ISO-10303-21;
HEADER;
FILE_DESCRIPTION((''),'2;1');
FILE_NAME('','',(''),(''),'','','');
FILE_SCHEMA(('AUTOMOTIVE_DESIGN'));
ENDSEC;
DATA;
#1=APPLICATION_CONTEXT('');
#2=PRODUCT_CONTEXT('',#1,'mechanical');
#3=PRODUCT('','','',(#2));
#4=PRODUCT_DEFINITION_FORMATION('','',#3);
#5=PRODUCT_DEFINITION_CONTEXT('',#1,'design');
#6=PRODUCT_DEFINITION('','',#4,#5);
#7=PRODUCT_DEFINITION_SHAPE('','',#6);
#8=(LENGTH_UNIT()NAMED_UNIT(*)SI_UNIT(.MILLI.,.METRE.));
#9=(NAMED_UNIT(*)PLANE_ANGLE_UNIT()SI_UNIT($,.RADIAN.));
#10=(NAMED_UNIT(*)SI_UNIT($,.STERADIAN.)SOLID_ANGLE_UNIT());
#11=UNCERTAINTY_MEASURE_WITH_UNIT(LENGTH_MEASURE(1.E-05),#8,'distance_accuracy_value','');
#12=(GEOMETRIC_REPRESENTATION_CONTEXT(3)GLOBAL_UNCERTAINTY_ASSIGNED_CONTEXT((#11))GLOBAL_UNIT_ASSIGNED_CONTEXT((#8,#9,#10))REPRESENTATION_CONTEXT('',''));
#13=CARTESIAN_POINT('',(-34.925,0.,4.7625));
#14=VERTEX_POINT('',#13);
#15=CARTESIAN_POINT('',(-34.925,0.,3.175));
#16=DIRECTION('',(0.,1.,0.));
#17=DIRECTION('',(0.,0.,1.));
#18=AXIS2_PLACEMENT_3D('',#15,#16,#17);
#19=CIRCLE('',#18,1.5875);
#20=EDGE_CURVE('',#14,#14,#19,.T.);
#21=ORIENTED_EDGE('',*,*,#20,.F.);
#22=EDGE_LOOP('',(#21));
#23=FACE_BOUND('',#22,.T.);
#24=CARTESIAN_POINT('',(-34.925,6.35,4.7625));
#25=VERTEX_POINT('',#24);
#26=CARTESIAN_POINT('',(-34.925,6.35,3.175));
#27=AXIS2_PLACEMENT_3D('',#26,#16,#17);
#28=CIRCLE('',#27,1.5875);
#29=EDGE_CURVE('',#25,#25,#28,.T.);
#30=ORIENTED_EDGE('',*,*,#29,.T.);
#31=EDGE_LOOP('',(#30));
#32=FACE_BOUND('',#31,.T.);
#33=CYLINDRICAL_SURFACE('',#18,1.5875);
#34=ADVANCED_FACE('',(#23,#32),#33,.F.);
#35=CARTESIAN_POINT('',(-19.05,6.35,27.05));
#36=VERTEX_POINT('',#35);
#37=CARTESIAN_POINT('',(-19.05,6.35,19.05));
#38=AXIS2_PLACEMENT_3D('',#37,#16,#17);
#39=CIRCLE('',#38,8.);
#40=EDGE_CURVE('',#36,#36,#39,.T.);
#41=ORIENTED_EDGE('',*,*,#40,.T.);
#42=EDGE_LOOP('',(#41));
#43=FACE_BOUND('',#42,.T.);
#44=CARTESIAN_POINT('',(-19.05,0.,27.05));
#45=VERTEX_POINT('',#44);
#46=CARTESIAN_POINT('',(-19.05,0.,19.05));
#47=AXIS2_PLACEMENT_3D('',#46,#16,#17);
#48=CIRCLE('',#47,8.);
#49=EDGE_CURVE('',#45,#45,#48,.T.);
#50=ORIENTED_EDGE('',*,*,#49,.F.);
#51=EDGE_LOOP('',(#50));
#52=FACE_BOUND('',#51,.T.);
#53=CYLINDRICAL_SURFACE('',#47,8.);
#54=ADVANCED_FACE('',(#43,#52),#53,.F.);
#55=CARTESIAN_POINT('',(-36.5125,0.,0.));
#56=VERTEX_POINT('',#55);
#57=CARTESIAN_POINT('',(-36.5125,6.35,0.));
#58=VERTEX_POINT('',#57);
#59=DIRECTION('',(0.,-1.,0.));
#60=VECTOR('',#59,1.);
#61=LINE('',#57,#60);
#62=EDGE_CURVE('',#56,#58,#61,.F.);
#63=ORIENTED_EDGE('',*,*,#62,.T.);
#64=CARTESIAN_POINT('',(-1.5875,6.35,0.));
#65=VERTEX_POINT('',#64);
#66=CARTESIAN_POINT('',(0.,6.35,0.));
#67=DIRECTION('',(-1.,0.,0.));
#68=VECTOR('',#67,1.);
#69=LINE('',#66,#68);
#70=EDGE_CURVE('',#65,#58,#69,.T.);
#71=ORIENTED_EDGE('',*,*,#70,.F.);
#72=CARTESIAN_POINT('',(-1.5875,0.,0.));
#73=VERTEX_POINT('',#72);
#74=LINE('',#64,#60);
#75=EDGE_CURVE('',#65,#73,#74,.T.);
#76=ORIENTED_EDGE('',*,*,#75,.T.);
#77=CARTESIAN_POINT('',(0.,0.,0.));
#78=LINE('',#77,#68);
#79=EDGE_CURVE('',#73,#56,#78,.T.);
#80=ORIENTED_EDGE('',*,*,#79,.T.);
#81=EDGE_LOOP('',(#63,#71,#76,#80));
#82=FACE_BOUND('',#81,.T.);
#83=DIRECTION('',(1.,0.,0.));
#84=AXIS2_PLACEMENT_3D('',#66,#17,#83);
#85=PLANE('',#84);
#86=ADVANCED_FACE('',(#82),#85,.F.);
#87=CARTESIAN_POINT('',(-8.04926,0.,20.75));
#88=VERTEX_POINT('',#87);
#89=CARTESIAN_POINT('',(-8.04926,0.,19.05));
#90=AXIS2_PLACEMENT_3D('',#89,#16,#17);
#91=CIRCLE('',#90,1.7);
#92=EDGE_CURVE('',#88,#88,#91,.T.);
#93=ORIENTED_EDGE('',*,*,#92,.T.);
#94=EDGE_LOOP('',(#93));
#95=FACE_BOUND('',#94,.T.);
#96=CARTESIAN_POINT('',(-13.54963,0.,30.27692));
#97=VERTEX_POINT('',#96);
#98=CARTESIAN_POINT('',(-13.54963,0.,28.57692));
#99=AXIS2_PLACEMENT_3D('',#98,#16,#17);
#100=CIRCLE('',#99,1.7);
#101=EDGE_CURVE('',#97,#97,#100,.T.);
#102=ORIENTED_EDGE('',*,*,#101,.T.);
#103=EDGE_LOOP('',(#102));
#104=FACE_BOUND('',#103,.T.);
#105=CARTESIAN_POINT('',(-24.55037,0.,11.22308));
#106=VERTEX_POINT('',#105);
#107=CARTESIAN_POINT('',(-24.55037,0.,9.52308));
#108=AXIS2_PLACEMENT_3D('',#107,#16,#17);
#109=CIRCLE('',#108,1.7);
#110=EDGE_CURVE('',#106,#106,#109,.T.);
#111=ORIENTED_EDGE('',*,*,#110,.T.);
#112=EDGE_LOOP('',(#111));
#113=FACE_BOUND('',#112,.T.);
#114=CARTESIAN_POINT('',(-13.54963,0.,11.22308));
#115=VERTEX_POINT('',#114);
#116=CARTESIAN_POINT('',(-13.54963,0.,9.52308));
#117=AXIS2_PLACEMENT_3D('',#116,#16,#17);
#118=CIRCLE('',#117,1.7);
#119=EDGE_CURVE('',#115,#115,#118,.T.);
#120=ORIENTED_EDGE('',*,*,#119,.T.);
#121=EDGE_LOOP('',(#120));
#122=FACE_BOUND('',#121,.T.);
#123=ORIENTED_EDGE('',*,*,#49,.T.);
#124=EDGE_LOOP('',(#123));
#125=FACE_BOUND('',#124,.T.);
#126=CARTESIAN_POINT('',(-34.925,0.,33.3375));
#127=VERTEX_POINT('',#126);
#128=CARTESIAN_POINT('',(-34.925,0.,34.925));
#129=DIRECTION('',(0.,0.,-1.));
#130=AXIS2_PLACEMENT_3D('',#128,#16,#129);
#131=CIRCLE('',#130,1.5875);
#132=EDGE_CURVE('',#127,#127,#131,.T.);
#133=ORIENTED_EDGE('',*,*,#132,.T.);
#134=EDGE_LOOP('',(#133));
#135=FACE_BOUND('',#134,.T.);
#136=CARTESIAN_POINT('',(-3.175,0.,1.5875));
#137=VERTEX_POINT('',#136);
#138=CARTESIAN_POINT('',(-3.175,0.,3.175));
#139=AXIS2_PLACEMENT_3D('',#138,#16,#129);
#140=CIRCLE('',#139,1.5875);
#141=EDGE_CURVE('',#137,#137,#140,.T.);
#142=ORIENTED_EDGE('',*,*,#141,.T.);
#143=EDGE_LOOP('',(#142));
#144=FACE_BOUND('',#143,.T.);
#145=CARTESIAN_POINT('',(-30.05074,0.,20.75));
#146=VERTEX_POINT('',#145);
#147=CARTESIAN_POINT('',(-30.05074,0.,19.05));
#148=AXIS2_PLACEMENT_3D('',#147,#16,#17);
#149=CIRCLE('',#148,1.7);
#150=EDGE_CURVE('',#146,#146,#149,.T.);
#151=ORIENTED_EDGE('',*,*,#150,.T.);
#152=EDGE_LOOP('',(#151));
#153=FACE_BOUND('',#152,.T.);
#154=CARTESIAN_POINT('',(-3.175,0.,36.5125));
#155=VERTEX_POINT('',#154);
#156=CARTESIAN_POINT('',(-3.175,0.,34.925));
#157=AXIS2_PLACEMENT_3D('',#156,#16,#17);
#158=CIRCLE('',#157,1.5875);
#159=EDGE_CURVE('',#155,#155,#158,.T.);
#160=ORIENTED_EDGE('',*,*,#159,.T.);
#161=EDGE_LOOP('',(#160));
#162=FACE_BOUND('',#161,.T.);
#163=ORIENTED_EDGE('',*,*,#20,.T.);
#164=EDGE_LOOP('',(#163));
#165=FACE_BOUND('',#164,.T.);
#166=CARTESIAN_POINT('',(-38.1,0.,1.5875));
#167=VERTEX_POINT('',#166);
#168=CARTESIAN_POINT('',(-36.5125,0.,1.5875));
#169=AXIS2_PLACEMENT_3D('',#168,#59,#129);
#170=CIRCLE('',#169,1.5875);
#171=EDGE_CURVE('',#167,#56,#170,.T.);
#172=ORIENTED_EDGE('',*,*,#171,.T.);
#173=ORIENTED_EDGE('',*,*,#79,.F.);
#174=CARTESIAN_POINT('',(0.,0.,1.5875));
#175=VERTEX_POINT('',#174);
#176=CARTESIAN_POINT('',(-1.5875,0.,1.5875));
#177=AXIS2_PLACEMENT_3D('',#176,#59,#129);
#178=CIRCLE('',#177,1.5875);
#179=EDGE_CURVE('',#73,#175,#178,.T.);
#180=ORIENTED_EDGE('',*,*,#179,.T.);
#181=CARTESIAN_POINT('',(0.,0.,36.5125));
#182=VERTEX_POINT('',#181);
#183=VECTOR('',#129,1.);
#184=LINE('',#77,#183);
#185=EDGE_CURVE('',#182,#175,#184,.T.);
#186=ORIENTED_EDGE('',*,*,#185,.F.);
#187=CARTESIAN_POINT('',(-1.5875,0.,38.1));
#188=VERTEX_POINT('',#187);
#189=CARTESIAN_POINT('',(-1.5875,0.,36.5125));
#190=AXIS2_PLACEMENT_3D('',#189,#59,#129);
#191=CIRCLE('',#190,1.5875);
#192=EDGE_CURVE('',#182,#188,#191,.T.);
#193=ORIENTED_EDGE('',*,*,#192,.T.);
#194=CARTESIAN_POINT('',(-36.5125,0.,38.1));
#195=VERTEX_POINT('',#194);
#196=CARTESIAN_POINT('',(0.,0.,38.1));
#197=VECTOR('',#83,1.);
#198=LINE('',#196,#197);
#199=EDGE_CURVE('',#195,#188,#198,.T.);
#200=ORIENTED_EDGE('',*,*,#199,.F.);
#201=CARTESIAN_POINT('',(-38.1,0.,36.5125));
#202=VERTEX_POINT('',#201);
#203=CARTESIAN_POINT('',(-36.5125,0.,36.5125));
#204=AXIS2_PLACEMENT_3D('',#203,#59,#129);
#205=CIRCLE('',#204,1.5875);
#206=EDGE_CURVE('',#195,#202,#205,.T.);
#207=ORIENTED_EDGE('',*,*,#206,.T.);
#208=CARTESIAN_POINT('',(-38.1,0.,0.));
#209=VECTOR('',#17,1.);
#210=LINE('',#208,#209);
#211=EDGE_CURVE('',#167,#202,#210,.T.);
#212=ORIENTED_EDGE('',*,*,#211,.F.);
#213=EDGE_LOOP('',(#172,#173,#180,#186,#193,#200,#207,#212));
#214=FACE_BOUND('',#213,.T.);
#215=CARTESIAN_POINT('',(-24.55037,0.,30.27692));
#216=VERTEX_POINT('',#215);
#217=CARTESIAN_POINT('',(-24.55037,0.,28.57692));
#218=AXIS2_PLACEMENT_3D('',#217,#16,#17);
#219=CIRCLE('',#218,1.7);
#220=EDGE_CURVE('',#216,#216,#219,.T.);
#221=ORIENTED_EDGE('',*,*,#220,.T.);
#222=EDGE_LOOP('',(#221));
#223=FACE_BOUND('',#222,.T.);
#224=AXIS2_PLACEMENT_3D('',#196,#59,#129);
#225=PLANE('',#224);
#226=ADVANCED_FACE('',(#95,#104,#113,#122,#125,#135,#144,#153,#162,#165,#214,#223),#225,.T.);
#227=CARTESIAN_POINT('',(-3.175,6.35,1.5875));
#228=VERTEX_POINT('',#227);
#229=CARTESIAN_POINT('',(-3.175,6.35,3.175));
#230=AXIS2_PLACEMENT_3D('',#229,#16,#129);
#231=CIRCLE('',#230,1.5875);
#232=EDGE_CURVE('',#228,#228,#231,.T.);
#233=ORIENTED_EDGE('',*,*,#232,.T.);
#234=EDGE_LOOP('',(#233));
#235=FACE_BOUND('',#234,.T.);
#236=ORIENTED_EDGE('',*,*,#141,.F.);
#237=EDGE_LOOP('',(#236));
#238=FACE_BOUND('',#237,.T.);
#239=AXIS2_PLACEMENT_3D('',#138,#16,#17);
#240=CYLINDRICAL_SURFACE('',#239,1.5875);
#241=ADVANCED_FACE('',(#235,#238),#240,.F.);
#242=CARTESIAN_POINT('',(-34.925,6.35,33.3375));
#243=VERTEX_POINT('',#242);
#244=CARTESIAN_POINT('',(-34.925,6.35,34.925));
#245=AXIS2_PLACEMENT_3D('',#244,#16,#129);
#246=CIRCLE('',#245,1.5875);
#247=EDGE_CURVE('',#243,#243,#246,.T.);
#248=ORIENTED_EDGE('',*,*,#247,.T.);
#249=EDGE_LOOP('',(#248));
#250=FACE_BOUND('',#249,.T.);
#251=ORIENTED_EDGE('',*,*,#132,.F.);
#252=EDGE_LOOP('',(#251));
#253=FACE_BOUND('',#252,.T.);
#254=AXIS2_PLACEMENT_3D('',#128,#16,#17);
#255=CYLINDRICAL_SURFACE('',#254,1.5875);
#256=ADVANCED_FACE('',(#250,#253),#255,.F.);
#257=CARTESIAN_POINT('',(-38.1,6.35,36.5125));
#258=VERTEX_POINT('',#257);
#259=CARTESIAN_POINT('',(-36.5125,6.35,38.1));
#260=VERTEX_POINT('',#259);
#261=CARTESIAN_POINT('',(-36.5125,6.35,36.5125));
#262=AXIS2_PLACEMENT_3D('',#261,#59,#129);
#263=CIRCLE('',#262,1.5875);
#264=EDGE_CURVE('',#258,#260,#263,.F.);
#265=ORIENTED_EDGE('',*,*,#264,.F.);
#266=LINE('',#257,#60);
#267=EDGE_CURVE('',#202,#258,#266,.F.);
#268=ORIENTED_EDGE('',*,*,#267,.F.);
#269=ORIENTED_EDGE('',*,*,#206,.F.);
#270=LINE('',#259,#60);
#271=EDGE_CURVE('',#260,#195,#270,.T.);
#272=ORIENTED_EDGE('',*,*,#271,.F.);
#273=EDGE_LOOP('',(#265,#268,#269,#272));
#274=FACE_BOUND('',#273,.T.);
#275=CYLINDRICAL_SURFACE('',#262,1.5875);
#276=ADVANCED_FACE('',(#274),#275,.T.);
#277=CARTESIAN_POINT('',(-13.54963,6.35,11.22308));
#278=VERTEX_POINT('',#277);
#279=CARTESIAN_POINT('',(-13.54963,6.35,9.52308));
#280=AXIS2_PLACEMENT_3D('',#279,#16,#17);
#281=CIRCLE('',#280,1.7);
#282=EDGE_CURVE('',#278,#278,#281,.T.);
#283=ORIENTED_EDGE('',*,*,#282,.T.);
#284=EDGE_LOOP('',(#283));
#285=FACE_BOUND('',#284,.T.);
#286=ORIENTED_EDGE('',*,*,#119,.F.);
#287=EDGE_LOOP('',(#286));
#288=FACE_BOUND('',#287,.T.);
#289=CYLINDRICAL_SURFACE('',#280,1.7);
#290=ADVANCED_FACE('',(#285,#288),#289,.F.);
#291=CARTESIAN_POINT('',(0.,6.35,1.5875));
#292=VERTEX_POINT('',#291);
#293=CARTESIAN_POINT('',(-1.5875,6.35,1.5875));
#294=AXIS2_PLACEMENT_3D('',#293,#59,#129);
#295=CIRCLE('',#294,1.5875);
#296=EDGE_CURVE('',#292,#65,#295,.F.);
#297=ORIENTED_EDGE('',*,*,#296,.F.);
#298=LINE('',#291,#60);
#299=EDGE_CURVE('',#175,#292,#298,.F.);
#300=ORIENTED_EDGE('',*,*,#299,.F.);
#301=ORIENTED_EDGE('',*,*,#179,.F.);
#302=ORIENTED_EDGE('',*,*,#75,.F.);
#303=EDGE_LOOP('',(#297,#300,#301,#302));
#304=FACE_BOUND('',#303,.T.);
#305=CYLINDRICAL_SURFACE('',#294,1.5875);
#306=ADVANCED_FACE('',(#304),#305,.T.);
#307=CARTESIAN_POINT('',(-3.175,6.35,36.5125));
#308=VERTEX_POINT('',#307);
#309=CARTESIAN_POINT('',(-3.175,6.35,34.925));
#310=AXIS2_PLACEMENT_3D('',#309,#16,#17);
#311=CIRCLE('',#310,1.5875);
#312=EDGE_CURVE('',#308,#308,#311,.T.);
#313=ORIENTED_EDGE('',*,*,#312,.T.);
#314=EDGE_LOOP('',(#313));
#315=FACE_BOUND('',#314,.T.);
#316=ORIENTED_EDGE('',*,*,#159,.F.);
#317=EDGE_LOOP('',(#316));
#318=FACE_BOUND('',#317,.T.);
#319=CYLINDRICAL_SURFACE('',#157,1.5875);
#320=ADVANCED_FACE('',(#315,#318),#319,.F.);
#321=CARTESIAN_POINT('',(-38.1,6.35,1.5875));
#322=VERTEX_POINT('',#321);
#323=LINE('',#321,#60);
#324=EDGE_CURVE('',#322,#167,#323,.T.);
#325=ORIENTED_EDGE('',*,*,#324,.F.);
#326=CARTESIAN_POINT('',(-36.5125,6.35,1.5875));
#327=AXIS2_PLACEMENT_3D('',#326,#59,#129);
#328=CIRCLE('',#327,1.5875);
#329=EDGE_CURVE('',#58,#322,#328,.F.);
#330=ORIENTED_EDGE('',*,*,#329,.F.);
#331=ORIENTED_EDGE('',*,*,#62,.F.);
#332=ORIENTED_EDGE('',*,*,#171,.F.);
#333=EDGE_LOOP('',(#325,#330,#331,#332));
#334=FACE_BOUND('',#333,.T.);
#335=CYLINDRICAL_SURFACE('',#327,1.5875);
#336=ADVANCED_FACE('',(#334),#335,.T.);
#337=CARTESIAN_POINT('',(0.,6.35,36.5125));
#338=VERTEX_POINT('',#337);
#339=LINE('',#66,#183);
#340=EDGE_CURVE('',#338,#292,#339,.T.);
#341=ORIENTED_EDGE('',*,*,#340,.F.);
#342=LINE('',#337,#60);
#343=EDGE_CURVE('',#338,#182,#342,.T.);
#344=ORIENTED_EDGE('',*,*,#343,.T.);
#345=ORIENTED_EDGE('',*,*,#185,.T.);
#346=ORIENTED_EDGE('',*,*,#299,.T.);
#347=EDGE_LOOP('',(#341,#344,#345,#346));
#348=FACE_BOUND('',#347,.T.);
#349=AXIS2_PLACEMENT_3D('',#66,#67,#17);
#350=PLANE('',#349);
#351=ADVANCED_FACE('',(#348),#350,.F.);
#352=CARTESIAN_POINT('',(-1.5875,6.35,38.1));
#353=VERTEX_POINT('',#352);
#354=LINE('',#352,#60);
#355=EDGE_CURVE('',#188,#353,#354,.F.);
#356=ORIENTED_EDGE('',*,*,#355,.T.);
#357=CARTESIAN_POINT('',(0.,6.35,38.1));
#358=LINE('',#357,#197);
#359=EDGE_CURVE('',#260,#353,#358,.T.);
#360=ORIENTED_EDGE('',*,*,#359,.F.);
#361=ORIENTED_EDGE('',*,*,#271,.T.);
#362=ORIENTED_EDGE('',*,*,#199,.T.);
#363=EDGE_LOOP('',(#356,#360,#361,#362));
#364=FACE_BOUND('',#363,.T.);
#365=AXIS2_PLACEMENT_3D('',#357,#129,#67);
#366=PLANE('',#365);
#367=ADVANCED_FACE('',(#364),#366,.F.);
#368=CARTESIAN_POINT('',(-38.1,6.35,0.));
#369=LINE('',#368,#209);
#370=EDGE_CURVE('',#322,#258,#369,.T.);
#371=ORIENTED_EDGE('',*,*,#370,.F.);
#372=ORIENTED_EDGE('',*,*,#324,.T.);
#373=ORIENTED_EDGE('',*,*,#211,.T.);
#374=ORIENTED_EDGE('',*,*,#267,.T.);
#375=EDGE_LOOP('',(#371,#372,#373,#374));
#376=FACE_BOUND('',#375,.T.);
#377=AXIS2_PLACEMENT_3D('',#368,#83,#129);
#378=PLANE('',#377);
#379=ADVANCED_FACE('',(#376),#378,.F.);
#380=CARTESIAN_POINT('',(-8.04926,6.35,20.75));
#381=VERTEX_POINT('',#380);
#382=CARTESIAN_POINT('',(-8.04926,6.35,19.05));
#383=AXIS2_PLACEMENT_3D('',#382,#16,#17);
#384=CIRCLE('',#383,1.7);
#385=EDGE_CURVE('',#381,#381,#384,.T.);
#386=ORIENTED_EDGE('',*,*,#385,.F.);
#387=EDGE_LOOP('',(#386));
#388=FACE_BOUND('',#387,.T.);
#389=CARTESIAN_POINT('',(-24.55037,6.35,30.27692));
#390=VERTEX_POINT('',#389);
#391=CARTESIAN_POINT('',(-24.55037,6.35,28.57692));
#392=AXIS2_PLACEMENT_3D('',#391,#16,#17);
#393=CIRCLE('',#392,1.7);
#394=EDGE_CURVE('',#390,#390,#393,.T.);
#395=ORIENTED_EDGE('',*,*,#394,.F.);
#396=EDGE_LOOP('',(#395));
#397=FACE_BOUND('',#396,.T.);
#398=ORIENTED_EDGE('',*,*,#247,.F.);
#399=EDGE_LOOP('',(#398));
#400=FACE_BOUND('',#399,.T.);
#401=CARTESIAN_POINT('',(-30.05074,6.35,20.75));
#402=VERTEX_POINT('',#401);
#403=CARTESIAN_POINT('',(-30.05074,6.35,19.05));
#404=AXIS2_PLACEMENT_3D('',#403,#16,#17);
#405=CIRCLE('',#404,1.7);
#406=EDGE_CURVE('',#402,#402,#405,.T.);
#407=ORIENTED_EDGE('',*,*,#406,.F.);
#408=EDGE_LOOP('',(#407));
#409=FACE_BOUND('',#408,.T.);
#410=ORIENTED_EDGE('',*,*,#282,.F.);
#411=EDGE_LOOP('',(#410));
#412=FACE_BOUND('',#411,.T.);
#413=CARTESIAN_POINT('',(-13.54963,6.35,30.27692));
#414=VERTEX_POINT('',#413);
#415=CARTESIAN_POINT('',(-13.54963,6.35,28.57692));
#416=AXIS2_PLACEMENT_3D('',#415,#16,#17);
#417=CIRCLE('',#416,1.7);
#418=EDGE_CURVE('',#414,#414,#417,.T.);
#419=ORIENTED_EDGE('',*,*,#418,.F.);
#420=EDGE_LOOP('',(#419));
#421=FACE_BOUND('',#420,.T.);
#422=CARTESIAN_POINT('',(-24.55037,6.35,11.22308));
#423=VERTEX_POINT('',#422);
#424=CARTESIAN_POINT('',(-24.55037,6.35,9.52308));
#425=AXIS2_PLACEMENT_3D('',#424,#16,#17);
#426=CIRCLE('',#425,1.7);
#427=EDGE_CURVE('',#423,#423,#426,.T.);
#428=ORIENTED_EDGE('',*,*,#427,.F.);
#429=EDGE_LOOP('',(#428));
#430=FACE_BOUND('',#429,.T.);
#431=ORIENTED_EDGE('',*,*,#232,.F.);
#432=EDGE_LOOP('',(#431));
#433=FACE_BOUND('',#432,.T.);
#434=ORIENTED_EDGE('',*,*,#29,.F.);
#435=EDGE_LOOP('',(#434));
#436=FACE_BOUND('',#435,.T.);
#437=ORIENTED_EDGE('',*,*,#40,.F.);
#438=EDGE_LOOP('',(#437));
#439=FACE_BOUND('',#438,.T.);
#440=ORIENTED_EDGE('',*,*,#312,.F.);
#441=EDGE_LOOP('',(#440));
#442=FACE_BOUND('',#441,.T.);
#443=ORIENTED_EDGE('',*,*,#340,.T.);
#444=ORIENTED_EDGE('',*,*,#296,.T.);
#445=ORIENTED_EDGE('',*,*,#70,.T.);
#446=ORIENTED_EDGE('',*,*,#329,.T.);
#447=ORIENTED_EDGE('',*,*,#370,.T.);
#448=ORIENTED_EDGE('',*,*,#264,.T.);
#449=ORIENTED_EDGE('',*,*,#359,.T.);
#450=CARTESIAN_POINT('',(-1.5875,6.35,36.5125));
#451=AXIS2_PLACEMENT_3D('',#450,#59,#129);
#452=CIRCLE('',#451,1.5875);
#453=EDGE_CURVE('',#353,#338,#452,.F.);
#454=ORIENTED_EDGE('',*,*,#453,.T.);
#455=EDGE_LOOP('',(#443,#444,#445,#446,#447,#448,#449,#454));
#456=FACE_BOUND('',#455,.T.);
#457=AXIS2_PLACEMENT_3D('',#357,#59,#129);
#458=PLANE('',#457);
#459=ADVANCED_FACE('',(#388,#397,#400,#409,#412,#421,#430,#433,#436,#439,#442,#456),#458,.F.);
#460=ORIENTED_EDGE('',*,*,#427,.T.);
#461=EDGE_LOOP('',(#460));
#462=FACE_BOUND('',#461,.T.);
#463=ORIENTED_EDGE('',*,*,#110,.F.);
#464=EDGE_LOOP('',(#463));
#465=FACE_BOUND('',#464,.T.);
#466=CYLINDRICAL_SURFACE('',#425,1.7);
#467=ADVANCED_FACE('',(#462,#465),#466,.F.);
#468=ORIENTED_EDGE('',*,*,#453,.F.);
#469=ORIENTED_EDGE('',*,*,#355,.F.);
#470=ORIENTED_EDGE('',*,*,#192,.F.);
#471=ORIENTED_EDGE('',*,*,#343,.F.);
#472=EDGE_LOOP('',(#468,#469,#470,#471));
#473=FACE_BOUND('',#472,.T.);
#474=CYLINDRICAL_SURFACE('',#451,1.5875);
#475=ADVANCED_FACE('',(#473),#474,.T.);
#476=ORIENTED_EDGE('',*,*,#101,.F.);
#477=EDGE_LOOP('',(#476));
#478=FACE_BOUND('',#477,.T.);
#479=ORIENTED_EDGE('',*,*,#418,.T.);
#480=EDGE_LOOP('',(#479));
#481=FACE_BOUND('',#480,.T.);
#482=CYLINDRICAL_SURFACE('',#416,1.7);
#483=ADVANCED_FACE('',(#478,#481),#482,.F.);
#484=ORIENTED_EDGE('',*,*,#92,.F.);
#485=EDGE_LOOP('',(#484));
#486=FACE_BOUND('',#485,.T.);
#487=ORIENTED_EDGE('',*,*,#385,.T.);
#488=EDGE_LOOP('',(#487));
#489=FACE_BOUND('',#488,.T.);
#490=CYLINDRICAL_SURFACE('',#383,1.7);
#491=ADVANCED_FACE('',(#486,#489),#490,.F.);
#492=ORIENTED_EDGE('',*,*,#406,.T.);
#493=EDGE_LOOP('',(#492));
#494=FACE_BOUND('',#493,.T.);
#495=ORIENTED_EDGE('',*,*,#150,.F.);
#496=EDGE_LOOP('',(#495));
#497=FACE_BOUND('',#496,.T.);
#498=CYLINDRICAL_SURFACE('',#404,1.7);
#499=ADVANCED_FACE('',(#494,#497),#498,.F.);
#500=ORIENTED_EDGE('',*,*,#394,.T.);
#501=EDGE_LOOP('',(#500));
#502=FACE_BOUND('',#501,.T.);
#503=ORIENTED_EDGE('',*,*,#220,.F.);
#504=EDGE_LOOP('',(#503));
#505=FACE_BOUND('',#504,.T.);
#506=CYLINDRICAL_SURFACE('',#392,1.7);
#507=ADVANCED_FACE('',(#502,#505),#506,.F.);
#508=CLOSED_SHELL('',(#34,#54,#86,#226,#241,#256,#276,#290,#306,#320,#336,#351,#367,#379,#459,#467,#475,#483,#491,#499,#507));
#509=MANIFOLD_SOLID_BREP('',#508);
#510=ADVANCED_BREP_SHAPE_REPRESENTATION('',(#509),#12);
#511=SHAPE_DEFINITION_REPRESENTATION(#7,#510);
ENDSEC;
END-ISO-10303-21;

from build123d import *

# Parameters (mm, degrees)
SKETCH1_W            = 38.1
SKETCH1_H            = 38.1
BOSS_EXTRUDE1_DEPTH  = 6.35
SKETCH5_R            = 8
CUT_EXTRUDE1_DEPTH   = 55.254423783
M3_CLEARANCE_HOLE1_D = 3.4
SKETCH6_R            = 1.5875
CUT_EXTRUDE2_DEPTH   = 55.254423783
FILLET1_R            = 1.5875


with BuildPart() as part:
    # Sketch1 → Boss-Extrude1 (new body)
    with BuildSketch(Plane(origin=(0, 0, 0), x_dir=(1, 0, 0), z_dir=(0, 1, 0))):
        with Locations((-19.05, -19.05)):
            Rectangle(SKETCH1_W, SKETCH1_H)
    extrude(amount=BOSS_EXTRUDE1_DEPTH)

    # Sketch5 → Cut-Extrude1 (cut, through all)
    with BuildSketch(Plane(origin=(0, 6.35, 0), x_dir=(1, 0, 0), z_dir=(0, 1, 0))):
        with Locations(Location((-19.05, -19.05, 0), (0, 0, 270))):
            Circle(SKETCH5_R)
    extrude(amount=-CUT_EXTRUDE1_DEPTH, mode=Mode.SUBTRACT)

    # M3 Clearance Hole1 (through all)
    with Locations(Plane(origin=(0, 6.35, 0), x_dir=(-1, 0, 0), z_dir=(0, 1, 0))):
        with Locations((30.05074, 19.05), (24.55037, 9.5230797), (13.54963, 9.5230797), (8.04926, 19.05), (13.54963, 28.5769203), (24.55037, 28.5769203)):
            Hole(M3_CLEARANCE_HOLE1_D / 2)

    # Sketch6 → Cut-Extrude2 (cut, through all)
    with BuildSketch(Plane(origin=(0, 6.35, 0), x_dir=(1, 0, 0), z_dir=(0, 1, 0))):
        with Locations(Location((-34.925, -3.175, 0), (0, 0, 270))):
            Circle(SKETCH6_R)
        with Locations(Location((-3.175, -3.175, 0), (0, 0, 90))):
            Circle(SKETCH6_R)
        with Locations(Location((-3.175, -34.925, 0), (0, 0, 270))):
            Circle(SKETCH6_R)
        with Locations(Location((-34.925, -34.925, 0), (0, 0, 90))):
            Circle(SKETCH6_R)
    extrude(amount=-CUT_EXTRUDE2_DEPTH, mode=Mode.SUBTRACT)

    # Fillet1
    fillet1_edges = [part.edges().sort_by_distance(p)[0] for p in [
        (0, 3.175, 38.1),
        (-38.1, 3.175, 38.1),
        (-38.1, 3.175, 0),
        (0, 3.175, 0),
    ]]
    fillet(fillet1_edges, radius=FILLET1_R)


solid = part.part
